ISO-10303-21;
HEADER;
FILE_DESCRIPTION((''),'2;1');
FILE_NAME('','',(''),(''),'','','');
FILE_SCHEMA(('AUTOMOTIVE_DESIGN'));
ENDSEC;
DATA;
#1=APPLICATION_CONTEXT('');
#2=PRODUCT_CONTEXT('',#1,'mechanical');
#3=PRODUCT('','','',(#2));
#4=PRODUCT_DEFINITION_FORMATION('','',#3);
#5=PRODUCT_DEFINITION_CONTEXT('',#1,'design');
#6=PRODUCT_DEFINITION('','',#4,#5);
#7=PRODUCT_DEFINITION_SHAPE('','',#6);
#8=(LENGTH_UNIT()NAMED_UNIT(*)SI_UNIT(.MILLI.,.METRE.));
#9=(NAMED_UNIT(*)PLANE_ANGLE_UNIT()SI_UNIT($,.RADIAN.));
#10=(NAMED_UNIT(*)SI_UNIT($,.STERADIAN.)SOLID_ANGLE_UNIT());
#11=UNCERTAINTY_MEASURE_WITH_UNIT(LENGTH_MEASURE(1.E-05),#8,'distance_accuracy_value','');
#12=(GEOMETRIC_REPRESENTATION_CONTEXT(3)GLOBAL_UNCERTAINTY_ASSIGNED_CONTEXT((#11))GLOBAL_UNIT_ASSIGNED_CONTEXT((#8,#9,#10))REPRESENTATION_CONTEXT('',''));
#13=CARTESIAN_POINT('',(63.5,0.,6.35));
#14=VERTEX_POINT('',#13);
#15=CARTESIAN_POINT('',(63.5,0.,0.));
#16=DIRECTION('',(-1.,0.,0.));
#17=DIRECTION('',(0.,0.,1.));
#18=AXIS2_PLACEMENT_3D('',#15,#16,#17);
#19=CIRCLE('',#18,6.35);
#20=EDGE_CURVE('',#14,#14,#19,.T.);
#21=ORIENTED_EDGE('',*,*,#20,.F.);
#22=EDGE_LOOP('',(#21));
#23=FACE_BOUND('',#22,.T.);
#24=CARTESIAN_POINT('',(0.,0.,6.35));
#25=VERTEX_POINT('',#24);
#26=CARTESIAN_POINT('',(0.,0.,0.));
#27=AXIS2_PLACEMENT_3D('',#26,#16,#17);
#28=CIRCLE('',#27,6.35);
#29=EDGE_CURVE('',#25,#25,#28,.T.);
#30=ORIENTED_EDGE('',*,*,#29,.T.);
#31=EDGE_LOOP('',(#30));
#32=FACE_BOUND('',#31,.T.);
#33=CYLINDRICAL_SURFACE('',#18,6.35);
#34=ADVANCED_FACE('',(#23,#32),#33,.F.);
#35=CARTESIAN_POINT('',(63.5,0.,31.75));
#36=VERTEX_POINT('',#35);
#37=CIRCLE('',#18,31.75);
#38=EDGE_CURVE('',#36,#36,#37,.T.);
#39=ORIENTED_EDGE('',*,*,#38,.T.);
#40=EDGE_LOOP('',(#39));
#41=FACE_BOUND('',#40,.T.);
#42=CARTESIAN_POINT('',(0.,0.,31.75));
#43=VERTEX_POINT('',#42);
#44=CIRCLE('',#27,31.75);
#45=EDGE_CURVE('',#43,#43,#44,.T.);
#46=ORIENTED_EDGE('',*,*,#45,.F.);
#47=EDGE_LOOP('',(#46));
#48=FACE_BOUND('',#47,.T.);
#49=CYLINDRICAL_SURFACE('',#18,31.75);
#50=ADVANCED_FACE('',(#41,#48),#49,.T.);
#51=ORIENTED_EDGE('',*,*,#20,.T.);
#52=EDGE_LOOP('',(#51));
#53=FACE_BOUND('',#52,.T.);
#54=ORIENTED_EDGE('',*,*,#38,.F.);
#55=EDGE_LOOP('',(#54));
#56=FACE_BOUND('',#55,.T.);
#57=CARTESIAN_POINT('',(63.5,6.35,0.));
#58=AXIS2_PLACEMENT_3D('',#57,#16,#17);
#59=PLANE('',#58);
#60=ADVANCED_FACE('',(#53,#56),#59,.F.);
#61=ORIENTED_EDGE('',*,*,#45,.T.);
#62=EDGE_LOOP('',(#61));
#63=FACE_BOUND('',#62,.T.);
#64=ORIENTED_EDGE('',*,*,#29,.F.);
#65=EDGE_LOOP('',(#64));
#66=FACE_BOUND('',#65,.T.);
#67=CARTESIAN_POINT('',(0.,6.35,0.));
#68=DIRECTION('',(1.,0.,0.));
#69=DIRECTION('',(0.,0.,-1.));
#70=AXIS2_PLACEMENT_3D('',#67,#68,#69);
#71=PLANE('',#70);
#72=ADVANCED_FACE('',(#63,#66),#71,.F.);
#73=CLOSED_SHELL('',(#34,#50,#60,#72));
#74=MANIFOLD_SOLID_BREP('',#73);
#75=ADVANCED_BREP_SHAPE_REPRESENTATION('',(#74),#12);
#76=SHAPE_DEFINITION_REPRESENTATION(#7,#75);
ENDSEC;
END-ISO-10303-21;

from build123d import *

# Parameters (mm, degrees)
SKETCH1_W = 63.5
SKETCH1_H = 25.4


with BuildPart() as part:
    # Sketch1 → Revolve1 (revolve)
    with BuildSketch(Plane.XY, mode=Mode.PRIVATE) as revolve1_sk:
        with Locations((31.75, 19.05)):
            Rectangle(SKETCH1_W, SKETCH1_H)
    revolve(revolve1_sk.sketch.rotate(Axis((63.5, 0, 0), (1, 0, 0)), 90), axis=Axis((63.5, 0, 0), (1, 0, 0)))


solid = part.part
